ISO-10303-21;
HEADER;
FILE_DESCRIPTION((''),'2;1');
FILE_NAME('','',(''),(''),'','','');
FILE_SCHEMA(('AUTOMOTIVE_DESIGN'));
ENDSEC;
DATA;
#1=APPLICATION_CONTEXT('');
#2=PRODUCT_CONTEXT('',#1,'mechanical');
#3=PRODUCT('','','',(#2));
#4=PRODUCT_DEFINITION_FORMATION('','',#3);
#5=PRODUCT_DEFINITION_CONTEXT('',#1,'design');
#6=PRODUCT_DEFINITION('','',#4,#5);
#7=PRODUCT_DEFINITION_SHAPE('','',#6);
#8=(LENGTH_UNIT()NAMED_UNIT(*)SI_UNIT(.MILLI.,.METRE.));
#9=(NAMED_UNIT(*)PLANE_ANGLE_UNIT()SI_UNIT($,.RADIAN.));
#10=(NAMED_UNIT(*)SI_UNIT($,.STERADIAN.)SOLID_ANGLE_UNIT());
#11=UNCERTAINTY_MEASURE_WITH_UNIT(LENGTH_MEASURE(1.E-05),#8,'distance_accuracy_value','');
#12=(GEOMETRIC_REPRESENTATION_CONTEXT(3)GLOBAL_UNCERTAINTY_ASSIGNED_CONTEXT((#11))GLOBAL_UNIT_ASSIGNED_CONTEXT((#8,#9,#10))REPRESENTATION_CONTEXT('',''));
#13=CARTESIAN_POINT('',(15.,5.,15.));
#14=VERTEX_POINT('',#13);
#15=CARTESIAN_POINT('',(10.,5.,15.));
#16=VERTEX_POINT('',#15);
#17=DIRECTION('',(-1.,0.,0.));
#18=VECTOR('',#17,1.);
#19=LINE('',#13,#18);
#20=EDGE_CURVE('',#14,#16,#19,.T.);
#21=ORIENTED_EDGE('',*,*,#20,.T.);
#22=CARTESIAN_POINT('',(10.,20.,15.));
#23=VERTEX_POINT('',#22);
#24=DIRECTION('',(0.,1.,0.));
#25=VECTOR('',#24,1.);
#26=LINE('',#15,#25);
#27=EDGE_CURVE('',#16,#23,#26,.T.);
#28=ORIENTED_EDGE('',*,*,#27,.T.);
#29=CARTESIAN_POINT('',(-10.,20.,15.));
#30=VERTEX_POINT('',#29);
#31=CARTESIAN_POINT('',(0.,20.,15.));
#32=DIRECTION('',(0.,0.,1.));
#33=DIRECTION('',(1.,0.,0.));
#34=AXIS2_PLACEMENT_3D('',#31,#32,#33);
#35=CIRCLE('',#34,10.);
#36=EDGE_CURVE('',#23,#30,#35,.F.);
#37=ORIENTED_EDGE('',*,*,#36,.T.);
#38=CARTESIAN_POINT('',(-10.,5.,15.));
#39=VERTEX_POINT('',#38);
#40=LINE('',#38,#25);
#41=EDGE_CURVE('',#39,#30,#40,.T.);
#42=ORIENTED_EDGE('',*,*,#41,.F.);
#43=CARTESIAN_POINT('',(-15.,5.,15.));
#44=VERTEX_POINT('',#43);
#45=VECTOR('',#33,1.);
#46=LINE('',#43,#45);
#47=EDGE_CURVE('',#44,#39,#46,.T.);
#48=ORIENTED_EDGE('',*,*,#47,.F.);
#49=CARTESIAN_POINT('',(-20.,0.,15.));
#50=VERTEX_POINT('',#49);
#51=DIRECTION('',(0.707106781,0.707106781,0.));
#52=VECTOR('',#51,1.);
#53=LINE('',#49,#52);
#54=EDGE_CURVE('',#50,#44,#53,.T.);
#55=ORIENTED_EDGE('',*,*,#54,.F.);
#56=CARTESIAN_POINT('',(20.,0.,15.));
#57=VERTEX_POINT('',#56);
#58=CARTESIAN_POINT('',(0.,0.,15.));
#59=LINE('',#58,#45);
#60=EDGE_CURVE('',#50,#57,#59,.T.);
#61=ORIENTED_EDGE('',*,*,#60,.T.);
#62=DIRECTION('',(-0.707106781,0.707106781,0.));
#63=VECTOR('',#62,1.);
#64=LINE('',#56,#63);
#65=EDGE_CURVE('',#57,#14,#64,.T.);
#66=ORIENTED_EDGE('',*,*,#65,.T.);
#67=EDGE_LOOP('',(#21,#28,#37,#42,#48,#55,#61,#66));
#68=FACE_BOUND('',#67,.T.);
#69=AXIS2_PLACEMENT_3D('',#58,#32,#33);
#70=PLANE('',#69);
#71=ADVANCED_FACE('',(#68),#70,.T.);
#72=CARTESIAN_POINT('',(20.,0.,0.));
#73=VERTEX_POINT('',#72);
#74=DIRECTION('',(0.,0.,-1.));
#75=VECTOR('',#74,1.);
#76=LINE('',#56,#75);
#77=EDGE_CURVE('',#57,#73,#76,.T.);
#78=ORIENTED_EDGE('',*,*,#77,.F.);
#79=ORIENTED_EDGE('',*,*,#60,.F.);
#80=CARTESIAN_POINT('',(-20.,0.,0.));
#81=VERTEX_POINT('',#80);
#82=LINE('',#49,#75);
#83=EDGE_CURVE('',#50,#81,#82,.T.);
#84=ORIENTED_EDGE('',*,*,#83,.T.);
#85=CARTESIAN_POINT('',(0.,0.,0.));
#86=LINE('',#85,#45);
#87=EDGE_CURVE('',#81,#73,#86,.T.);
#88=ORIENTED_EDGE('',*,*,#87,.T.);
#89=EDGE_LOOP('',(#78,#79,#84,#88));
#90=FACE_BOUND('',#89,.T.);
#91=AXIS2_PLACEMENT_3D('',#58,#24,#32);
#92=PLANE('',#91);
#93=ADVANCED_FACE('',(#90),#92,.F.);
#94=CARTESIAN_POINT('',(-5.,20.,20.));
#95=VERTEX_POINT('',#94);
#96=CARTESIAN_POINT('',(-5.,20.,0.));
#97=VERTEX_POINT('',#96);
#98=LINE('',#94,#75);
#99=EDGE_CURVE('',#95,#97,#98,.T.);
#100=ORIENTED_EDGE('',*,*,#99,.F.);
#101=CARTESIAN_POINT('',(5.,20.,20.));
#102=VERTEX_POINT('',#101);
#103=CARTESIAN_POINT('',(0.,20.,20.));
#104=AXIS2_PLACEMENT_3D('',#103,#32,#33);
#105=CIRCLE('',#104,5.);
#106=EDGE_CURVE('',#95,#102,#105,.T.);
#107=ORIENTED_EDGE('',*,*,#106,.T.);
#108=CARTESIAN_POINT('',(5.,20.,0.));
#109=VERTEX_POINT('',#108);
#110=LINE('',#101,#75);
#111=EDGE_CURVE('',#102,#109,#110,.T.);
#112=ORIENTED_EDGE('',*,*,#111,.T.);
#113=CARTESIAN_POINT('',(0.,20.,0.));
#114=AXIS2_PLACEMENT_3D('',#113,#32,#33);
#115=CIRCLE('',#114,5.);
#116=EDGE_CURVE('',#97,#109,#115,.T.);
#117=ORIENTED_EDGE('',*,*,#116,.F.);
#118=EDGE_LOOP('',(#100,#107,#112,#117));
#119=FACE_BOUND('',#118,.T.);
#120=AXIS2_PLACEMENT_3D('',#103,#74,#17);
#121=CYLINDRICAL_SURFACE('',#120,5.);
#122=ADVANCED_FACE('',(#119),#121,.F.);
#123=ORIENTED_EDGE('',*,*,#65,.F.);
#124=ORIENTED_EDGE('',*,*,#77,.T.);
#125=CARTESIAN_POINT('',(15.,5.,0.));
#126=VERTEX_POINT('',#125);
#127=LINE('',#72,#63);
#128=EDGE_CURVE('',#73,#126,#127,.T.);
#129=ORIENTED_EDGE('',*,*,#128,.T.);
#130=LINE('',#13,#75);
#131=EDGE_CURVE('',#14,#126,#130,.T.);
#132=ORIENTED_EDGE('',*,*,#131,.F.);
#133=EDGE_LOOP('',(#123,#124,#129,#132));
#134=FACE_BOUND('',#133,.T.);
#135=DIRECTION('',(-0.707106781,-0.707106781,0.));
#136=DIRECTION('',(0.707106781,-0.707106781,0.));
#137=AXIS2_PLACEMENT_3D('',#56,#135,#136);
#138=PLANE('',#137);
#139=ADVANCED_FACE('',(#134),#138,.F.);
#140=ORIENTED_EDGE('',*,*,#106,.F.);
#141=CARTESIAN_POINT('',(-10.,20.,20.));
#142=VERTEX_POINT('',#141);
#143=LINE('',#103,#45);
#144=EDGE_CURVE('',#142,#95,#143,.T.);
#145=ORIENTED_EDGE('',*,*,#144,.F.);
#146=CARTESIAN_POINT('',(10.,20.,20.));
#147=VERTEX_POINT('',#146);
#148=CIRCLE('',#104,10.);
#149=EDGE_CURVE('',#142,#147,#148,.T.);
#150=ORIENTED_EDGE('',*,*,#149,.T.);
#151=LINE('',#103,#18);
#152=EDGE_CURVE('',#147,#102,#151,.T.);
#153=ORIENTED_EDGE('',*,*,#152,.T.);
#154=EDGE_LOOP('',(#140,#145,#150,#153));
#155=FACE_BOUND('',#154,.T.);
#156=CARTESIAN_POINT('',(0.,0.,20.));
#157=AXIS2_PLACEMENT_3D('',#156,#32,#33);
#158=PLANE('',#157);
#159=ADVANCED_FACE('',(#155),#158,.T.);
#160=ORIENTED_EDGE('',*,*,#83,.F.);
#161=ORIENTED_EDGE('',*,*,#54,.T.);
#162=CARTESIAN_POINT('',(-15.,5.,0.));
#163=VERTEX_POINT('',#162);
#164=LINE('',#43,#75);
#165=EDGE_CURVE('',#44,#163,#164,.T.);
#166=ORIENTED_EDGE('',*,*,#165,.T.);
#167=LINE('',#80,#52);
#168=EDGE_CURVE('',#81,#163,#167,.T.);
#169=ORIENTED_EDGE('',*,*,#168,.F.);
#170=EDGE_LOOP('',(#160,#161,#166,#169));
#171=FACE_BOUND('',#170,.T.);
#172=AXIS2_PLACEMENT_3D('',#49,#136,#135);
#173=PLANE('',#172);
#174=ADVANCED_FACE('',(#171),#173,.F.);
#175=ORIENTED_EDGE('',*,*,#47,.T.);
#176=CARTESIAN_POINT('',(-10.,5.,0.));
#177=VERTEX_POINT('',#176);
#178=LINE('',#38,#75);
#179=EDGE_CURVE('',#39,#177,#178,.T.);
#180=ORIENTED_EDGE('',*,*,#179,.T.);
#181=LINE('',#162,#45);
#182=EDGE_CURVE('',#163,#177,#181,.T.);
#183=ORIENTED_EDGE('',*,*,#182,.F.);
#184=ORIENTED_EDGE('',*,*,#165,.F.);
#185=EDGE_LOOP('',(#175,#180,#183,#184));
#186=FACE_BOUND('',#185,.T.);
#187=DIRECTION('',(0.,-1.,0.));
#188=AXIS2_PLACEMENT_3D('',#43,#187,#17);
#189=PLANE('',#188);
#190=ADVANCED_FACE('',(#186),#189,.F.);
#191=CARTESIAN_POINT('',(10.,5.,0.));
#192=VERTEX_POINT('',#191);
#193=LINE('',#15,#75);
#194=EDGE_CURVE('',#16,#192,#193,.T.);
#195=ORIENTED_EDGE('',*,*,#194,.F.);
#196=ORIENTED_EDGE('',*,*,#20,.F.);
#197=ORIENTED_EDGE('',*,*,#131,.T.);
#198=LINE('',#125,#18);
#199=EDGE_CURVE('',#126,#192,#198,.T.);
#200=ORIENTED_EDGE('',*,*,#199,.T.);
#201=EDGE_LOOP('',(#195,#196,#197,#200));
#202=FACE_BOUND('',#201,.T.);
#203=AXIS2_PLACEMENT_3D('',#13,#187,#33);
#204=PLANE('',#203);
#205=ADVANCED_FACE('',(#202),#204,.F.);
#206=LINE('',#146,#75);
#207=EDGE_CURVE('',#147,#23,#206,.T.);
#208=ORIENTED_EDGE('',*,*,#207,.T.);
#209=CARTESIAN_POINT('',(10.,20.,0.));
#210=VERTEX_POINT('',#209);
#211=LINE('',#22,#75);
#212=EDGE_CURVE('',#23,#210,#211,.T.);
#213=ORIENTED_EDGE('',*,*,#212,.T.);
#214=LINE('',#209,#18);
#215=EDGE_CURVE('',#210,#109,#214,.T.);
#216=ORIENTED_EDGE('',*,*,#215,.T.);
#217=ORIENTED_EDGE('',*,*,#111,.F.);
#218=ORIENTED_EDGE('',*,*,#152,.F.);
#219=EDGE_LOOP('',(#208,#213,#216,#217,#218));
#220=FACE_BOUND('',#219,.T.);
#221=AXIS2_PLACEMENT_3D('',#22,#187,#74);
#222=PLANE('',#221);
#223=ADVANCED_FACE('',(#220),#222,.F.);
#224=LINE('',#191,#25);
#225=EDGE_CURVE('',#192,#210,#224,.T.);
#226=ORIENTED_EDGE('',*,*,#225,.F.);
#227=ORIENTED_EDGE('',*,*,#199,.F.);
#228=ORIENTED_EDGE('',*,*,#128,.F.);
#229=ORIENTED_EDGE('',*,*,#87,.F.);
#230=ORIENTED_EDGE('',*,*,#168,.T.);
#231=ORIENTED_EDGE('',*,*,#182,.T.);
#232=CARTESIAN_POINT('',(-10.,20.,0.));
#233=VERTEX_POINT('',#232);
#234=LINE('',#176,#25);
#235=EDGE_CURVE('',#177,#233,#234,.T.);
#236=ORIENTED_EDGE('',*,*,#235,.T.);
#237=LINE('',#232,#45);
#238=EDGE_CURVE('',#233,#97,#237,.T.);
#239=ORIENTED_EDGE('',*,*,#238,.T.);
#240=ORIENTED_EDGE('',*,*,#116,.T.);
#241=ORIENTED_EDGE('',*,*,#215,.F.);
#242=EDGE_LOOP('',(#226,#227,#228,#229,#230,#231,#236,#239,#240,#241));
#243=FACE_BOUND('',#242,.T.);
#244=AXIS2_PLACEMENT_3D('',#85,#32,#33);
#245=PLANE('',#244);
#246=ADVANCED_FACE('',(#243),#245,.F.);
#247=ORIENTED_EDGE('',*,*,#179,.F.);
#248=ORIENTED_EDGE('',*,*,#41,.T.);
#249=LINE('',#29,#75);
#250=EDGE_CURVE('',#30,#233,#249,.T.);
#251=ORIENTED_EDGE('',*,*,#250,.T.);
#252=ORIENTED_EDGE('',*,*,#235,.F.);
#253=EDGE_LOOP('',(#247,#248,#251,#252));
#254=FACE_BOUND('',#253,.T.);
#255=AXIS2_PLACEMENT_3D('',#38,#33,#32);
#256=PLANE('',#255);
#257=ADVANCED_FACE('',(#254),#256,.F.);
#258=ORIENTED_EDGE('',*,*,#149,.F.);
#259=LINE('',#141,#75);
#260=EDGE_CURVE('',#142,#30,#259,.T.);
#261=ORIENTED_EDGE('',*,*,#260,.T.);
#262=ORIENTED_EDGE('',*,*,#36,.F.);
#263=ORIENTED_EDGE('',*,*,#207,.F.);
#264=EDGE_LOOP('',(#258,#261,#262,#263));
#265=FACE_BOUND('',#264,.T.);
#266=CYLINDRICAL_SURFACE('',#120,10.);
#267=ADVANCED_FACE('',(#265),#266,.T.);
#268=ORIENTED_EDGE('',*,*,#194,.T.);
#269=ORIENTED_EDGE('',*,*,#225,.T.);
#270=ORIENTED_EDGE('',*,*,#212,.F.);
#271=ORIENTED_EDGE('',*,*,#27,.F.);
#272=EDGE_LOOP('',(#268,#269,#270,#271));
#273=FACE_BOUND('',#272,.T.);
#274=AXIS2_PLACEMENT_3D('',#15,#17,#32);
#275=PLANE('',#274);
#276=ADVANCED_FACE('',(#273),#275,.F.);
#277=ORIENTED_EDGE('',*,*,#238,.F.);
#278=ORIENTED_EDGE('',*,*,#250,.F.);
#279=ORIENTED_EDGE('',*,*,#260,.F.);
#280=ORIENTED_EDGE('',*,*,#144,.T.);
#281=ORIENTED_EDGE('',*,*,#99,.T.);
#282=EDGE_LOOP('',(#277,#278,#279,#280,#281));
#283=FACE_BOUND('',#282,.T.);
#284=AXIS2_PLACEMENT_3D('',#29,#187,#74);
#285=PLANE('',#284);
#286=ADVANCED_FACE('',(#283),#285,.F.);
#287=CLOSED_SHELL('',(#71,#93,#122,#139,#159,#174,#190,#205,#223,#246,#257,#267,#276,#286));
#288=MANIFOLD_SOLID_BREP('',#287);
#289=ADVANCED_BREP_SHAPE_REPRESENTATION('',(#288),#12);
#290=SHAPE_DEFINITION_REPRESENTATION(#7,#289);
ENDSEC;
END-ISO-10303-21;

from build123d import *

# Parameters (mm, degrees)
EXTRUDE_1_DEPTH     = 15
EXTRUDE_2_DEPTH     = 20
CUT_EXTRUDE_1_DEPTH = 20


with BuildPart() as part:
    # 草圖1 → 填料-伸長1 (new body)
    with BuildSketch(Plane.XY):
        Polygon((0, 0), (20, 0), (15, 5), (10, 5), (10, 20), (0, 20), align=None)
    extrude_1 = extrude(amount=EXTRUDE_1_DEPTH)

    # 草圖2 → 填料-伸長2 (add)
    with BuildSketch(Plane.XY):
        with BuildLine():
            ThreePointArc((0, 10), (7.071067812, 12.928932188), (10, 20))
            Line((10, 20), (5, 20))
            ThreePointArc((5, 20), (3.535533906, 16.464466094), (0, 15))
            Line((0, 15), (0, 10))
        make_face()
    extrude_2 = extrude(amount=EXTRUDE_2_DEPTH)

    # 草圖2<3> → 除料-伸長1 (cut)
    with BuildSketch(Plane.XY):
        with BuildLine():
            ThreePointArc((0, 15), (3.535533906, 16.464466094), (5, 20))
            Line((5, 20), (0, 20))
            Line((0, 20), (0, 15))
        make_face()
    cut_extrude_1 = extrude(amount=CUT_EXTRUDE_1_DEPTH, mode=Mode.SUBTRACT)

    # 鏡射1: 填料-伸長1, 填料-伸長2, 除料-伸長1 across plane
    add(extrude_1.mirror(Plane(origin=(0, 0, 0), x_dir=(0, 0, 1), z_dir=(1, 0, 0))))
    add(extrude_2.mirror(Plane(origin=(0, 0, 0), x_dir=(0, 0, 1), z_dir=(1, 0, 0))))
    add(cut_extrude_1.mirror(Plane(origin=(0, 0, 0), x_dir=(0, 0, 1), z_dir=(1, 0, 0))), mode=Mode.SUBTRACT)


solid = part.part
